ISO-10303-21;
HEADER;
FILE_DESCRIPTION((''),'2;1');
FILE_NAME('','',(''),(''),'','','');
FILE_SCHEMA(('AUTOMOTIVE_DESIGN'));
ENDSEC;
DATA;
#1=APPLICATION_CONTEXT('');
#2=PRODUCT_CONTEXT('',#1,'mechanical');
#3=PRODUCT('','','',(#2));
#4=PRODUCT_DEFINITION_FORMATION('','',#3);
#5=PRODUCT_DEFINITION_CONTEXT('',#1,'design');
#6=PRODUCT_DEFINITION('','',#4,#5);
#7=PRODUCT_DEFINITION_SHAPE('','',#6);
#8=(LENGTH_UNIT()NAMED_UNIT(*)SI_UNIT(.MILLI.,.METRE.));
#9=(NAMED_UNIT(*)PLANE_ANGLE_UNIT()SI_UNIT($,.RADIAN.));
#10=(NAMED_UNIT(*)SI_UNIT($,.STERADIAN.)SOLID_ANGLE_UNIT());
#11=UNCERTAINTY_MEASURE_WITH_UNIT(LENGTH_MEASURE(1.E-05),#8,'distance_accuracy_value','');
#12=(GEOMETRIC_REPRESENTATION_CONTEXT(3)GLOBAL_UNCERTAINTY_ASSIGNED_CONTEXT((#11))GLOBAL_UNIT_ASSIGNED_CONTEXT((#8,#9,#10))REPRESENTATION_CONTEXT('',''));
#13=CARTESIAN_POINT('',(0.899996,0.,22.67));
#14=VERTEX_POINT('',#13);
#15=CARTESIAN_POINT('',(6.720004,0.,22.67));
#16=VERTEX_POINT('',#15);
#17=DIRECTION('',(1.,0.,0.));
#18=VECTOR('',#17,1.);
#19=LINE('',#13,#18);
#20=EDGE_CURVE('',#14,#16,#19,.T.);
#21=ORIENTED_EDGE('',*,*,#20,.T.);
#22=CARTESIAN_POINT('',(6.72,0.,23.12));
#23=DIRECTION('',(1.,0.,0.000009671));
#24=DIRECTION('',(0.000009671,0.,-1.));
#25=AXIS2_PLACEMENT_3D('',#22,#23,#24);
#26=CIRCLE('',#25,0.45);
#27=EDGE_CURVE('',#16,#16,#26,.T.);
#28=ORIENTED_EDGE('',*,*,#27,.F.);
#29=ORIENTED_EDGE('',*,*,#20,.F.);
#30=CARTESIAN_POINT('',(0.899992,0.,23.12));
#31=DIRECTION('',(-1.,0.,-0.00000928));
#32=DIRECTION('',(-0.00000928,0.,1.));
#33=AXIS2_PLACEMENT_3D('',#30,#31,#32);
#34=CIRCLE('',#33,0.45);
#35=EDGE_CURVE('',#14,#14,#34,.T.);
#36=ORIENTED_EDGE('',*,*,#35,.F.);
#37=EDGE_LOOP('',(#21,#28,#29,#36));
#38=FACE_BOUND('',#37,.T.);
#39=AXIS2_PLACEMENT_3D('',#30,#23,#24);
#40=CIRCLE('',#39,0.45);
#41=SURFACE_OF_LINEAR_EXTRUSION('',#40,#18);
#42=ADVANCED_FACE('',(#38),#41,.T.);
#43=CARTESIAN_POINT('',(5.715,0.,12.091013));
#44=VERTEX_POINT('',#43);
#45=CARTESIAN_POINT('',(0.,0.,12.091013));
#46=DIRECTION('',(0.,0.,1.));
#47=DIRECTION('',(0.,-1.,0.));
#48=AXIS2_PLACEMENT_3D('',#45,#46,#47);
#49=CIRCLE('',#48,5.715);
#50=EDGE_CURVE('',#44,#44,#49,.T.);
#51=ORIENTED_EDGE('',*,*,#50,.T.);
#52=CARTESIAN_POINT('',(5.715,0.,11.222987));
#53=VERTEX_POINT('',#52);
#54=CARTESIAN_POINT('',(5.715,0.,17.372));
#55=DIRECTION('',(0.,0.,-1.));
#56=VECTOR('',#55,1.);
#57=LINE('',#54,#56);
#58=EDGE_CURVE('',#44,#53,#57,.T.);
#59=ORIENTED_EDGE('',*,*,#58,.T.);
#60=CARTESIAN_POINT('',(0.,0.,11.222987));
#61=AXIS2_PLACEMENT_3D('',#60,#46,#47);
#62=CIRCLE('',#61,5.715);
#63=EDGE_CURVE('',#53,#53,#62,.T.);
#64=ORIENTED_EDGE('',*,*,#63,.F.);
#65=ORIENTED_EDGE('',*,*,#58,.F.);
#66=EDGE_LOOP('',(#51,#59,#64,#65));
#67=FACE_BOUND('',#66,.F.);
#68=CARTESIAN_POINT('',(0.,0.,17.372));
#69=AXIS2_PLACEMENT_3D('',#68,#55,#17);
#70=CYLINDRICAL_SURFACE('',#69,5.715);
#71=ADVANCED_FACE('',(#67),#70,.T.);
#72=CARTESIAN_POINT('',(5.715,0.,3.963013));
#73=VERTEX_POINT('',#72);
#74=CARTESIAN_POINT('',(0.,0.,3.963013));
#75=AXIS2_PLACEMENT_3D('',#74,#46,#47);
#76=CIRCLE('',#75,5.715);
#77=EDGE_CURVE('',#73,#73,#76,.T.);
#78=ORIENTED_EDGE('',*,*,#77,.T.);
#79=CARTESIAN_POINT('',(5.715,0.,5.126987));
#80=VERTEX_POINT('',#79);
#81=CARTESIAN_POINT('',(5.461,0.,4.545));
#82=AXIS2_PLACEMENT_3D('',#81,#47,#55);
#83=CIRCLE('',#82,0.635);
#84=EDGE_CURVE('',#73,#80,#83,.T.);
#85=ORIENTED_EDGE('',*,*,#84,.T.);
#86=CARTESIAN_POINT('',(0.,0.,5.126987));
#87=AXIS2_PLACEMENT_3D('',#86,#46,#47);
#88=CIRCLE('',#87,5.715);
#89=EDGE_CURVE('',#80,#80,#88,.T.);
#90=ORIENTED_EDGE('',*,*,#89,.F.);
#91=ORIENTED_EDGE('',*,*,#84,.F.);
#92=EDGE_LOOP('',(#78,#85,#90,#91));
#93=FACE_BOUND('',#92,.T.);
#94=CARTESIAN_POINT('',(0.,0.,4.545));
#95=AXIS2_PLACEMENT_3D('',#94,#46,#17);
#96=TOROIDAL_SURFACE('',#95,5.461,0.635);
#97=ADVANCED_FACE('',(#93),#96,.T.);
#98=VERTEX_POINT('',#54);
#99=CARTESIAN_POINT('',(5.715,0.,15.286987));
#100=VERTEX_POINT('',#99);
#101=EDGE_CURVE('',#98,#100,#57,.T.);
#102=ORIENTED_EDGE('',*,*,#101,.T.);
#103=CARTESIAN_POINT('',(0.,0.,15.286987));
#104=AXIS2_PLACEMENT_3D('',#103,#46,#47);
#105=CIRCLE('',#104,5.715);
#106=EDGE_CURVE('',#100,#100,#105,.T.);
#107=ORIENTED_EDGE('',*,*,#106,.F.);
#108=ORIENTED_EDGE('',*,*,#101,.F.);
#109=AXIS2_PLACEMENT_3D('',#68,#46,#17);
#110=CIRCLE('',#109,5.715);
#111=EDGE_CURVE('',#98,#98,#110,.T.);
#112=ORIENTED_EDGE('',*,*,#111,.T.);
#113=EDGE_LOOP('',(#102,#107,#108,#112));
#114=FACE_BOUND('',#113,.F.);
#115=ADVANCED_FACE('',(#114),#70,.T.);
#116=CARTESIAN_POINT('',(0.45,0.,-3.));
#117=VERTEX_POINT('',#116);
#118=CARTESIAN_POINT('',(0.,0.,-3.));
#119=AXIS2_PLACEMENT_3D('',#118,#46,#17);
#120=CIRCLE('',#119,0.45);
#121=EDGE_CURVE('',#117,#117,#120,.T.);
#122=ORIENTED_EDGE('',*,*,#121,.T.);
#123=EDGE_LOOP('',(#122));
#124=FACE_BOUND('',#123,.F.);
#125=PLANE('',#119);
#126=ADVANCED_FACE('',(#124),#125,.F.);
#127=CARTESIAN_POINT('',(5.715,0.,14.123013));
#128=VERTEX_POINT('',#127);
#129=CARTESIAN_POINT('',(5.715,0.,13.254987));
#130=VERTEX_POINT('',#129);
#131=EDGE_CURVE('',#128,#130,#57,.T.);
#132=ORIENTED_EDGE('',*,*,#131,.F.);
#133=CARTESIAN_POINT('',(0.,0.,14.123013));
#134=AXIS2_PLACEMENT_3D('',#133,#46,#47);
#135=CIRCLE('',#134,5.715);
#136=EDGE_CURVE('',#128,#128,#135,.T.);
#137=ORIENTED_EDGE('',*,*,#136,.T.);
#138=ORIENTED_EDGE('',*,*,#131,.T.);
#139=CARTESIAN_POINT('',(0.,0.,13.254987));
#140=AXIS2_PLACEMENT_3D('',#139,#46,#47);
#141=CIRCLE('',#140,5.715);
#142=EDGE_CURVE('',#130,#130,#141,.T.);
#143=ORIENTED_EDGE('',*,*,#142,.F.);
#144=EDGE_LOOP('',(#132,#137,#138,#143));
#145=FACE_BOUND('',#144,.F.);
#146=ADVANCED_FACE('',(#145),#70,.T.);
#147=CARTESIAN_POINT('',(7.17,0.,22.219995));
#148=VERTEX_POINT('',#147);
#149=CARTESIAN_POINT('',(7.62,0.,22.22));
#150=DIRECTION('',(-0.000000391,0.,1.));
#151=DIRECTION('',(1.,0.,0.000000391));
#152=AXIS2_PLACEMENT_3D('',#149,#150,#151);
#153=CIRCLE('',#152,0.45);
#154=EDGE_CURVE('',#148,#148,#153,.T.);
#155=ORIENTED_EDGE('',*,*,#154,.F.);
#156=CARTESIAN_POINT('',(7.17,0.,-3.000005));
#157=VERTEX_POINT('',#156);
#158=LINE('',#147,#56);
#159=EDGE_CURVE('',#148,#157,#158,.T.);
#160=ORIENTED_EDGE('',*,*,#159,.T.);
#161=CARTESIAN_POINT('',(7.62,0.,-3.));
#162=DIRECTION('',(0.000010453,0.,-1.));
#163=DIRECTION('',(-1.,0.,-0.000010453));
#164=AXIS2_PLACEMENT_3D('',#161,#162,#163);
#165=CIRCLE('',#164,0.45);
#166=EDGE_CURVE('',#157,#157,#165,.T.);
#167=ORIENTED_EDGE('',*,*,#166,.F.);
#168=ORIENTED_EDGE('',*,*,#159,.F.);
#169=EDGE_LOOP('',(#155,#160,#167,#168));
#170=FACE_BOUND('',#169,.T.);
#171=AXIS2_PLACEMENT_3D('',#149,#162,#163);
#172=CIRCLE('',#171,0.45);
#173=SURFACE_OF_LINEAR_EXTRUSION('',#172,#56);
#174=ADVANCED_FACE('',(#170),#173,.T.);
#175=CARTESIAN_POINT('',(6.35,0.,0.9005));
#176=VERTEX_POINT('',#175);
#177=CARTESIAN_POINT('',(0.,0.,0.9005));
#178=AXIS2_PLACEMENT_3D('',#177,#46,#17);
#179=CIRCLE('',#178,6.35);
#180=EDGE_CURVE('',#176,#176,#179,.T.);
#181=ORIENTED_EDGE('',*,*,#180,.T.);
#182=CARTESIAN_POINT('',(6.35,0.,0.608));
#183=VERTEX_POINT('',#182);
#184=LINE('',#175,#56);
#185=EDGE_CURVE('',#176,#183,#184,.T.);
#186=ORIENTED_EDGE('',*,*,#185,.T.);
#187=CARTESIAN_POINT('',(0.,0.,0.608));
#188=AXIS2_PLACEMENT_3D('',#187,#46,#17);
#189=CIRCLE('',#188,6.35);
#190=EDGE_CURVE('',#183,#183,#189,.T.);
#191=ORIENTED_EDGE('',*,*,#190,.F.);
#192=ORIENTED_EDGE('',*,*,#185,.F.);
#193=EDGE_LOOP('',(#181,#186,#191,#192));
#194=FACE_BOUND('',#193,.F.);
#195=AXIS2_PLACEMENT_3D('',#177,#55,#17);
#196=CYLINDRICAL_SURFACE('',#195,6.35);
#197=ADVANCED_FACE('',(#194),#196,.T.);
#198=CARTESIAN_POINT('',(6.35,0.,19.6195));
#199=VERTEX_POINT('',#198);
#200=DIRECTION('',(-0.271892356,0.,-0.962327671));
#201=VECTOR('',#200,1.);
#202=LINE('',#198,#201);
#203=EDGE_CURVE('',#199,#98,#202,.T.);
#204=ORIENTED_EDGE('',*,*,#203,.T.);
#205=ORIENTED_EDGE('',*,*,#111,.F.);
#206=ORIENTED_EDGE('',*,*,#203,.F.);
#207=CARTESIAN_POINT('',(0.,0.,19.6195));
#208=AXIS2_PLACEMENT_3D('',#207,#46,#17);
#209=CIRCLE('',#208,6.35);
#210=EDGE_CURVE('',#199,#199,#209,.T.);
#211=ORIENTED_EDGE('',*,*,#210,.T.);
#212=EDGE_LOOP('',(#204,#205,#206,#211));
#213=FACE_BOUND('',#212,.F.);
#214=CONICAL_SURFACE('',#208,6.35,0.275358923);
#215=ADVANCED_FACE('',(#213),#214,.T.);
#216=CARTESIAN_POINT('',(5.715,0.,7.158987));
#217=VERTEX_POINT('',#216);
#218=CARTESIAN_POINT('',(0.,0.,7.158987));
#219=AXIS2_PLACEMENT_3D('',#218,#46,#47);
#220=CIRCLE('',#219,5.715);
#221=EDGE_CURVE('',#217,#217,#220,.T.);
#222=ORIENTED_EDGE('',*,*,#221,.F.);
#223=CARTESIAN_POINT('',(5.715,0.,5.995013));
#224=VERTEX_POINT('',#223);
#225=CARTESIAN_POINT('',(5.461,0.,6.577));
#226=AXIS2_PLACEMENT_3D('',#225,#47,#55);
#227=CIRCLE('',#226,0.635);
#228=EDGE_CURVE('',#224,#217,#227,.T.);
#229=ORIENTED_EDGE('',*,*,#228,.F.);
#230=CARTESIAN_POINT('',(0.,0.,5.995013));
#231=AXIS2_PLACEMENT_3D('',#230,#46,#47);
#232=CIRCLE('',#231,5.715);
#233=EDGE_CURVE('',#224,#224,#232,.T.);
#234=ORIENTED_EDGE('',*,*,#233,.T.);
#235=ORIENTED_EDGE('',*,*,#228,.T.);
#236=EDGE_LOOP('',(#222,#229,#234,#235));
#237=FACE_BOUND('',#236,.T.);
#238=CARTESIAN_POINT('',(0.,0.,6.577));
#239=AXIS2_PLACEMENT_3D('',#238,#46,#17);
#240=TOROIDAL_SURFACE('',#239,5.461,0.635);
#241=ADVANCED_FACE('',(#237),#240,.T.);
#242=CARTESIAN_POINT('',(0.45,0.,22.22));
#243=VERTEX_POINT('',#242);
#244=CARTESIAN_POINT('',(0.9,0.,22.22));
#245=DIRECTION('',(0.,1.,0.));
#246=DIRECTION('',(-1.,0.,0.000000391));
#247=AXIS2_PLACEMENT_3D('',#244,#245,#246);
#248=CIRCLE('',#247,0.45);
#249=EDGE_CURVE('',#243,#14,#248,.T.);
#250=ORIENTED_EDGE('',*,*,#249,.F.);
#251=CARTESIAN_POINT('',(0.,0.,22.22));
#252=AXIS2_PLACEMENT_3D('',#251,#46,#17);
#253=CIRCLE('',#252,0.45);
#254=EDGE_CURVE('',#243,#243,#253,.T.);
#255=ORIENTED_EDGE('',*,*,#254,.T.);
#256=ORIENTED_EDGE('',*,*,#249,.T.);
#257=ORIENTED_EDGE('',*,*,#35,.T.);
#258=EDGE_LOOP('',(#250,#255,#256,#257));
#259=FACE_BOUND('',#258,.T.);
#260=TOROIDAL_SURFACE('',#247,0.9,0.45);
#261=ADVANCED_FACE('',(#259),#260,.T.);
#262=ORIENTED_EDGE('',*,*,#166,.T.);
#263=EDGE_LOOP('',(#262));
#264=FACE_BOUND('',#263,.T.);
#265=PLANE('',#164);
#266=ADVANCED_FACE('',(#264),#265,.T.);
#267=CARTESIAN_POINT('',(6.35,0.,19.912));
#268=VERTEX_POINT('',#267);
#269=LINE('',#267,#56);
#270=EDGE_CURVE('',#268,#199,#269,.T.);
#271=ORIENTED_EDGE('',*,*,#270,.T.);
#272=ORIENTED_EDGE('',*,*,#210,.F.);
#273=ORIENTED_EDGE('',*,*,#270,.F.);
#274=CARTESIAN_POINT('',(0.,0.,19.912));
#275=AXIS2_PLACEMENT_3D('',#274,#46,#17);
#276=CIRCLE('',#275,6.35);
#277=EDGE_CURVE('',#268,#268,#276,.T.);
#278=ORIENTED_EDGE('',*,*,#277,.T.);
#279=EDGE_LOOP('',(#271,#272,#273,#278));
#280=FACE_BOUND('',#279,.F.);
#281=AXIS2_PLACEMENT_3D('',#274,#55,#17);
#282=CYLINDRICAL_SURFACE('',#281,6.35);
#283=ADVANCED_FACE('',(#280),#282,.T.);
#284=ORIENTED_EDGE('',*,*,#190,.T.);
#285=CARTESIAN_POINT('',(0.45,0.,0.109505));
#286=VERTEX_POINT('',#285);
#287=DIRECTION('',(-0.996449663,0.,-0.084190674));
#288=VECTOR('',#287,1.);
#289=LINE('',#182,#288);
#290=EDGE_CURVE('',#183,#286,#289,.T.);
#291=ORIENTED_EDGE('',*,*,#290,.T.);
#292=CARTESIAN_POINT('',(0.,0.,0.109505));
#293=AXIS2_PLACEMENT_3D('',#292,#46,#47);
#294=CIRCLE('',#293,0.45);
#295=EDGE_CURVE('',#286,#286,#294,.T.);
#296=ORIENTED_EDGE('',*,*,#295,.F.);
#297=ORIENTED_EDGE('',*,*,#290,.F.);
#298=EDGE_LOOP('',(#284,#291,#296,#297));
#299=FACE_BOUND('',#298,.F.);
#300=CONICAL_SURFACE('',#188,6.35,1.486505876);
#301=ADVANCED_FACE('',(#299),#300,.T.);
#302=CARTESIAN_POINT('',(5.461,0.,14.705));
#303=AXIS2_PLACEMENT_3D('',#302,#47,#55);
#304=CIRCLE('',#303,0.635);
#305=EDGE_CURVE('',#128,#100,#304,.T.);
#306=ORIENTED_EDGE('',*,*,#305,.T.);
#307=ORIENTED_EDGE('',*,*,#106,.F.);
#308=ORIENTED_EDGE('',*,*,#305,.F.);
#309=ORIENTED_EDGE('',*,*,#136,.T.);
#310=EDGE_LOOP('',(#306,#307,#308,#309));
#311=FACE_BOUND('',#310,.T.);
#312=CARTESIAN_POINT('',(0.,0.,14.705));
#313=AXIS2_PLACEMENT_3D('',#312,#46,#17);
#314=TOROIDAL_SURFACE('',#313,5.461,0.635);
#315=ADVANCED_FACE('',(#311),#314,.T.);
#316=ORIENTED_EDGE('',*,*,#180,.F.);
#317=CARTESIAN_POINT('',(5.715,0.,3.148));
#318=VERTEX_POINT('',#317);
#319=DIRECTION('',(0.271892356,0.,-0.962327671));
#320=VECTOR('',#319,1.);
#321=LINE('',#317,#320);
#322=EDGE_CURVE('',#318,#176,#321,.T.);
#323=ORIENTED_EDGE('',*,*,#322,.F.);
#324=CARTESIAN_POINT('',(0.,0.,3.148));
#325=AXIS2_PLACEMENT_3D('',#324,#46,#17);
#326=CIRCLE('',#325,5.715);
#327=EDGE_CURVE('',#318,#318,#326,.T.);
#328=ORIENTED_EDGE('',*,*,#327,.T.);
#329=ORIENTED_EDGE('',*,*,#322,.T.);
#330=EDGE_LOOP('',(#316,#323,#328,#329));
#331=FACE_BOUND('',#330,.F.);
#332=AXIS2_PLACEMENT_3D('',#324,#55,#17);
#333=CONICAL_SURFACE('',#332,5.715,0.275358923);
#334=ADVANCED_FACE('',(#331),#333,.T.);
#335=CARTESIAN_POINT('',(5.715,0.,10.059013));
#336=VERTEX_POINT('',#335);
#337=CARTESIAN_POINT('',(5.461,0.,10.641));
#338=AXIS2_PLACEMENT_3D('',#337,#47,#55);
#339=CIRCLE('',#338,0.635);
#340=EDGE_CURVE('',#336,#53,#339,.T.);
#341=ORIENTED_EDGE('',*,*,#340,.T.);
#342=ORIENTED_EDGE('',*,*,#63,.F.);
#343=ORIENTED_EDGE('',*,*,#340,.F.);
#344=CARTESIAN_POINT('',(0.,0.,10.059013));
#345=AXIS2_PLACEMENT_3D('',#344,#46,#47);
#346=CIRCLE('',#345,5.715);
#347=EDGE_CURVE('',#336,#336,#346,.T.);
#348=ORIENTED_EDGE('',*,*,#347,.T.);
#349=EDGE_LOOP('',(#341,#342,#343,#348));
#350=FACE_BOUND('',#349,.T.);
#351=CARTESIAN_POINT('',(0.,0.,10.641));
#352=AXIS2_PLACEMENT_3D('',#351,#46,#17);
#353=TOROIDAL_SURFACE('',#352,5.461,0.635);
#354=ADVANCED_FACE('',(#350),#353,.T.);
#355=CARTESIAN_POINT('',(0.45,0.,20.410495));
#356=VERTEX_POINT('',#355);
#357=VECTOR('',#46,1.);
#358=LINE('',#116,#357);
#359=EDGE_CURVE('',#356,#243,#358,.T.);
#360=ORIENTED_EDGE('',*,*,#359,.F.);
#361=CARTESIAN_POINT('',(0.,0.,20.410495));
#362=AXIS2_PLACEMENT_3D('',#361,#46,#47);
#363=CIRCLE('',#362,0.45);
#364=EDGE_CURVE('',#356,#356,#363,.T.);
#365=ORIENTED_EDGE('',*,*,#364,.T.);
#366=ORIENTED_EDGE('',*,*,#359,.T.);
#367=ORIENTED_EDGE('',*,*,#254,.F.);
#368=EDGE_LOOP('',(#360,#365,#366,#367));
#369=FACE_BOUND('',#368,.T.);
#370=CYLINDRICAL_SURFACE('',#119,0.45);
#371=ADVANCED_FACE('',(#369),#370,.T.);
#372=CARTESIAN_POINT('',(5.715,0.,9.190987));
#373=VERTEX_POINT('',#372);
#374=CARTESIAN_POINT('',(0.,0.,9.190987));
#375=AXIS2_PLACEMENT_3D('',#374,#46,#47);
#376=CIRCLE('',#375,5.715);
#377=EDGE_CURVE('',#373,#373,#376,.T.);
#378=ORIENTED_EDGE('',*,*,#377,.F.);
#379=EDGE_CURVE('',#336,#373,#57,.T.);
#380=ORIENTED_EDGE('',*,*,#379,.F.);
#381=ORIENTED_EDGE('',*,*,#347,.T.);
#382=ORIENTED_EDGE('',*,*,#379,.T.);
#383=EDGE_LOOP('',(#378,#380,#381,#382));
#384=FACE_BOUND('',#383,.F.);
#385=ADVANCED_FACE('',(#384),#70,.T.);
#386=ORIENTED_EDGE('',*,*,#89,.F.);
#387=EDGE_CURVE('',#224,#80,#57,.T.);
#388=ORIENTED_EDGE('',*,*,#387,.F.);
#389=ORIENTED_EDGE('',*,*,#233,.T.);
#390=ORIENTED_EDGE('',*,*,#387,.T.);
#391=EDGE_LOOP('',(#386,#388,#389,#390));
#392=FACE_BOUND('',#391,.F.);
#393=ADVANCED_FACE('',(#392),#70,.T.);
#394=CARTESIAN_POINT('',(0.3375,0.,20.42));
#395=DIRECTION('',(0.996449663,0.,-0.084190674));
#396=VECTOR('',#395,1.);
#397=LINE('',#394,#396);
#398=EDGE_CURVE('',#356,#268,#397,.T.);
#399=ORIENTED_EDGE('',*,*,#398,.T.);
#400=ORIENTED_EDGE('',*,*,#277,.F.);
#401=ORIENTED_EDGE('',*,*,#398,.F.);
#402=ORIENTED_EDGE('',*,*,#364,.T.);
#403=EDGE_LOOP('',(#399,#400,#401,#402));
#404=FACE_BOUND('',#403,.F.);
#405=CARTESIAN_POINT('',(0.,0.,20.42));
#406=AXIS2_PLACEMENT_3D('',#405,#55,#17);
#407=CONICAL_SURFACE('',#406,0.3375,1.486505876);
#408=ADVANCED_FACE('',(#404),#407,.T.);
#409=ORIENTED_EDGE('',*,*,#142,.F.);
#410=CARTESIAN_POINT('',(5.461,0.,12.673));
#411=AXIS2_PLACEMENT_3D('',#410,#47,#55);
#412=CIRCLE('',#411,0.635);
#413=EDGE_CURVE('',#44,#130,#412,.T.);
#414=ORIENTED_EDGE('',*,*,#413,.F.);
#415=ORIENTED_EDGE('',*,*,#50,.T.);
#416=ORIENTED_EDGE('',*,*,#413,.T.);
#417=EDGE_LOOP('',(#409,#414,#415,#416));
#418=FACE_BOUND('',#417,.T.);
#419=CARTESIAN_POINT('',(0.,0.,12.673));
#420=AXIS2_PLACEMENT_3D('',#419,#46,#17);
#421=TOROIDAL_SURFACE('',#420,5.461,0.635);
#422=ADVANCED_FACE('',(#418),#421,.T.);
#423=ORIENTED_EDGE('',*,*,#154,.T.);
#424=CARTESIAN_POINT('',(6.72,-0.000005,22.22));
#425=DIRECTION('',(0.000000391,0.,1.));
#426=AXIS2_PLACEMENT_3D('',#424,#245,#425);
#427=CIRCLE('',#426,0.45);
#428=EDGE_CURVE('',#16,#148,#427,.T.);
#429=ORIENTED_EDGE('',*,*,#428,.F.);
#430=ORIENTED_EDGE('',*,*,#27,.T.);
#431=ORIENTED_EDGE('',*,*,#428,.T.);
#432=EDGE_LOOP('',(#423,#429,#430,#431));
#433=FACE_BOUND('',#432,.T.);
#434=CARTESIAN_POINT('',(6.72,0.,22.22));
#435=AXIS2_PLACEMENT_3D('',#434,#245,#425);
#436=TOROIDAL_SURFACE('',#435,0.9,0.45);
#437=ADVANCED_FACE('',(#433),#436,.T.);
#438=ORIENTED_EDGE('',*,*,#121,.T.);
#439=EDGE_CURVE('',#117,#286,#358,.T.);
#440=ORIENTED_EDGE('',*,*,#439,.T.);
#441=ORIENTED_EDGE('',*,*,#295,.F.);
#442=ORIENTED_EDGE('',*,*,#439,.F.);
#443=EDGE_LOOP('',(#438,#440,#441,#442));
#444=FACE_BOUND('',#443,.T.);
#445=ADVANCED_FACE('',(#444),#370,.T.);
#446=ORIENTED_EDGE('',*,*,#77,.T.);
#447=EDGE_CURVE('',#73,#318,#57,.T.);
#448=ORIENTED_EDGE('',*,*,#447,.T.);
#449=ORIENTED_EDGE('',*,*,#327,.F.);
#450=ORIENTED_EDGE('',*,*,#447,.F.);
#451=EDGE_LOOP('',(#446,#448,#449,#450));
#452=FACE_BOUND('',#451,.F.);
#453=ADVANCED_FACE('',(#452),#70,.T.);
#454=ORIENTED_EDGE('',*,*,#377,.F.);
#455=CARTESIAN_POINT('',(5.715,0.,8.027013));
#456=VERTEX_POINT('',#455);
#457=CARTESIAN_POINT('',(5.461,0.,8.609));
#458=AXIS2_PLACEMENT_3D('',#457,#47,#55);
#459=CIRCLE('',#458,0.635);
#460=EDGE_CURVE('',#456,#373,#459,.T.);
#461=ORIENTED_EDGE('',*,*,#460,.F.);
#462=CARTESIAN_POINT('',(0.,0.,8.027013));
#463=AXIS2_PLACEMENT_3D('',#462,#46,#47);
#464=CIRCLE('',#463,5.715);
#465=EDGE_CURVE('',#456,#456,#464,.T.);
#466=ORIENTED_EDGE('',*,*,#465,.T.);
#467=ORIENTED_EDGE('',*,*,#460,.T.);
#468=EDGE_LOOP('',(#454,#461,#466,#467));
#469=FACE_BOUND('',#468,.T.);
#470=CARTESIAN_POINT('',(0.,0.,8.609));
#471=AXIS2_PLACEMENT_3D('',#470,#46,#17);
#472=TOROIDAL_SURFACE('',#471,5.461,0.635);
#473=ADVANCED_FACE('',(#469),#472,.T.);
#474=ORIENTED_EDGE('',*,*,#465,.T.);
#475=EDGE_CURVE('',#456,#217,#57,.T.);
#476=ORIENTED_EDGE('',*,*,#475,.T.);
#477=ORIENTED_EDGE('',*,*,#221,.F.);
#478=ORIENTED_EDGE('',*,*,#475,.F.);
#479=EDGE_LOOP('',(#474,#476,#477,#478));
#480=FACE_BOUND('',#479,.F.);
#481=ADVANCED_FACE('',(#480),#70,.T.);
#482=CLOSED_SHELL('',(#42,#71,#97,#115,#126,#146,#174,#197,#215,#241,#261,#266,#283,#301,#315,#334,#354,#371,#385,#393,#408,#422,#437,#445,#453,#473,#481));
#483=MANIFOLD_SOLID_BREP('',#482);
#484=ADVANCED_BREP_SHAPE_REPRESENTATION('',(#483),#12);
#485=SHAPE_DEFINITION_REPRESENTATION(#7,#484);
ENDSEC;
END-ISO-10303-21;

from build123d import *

# Parameters (mm, degrees)
SKETCH_R = 0.45


with BuildPart() as revolution:
    # Sketch002 → Revolution (revolve)
    with BuildSketch(Plane.XZ):
        Polygon((0, 0.1), (0, 20.42), (0.3375, 20.42), (6.35, 19.912), (6.35, 19.6195), (5.715, 17.372), (5.715, 3.148), (6.35, 0.9005), (6.35, 0.608), (0.3375, 0.1), align=None)
    revolve(axis=Axis((0, 0, 0), (0, 0, 1)))


with BuildPart() as sweep_body:
    # Sweep: sweep along a path in Sketch001
    with BuildLine(Plane.XZ) as sweep_path:
        Line((0, -3), (0, 22.22))
        ThreePointArc((0, 22.22), (0.263601, 22.856393), (0.899992, 23.12))
        Line((0.899992, 23.12), (6.72, 23.12))
        ThreePointArc((6.72, 23.12), (7.356396, 22.856396), (7.62, 22.22))
        Line((7.62, 22.22), (7.62, -3))
    # Sketch → Sweep (sweep)
    with BuildSketch(Plane.XY.offset(-2)):
        Circle(SKETCH_R)
    sweep(path=sweep_path.line)


with BuildPart() as revolution001_mp_cp:
    # Sketch003 → Revolution001 (revolve)
    with BuildSketch(Plane.XZ):
        with BuildLine():
            Line((5.08, 16.102), (5.08, 3.148))
            Line((5.08, 3.148), (5.461, 3.148))
            Line((5.461, 3.148), (5.461, 3.91))
            ThreePointArc((5.461, 3.91), (6.096, 4.545), (5.461, 5.18))
            Line((5.461, 5.18), (5.461, 5.942))
            ThreePointArc((5.461, 5.942), (6.096, 6.577), (5.461, 7.212))
            Line((5.461, 7.212), (5.461, 7.974))
            ThreePointArc((5.461, 7.974), (6.096, 8.609), (5.461, 9.244))
            Line((5.461, 9.244), (5.461, 10.006))
            ThreePointArc((5.461, 10.006), (6.096, 10.641), (5.461, 11.276))
            Line((5.461, 11.276), (5.461, 12.038))
            ThreePointArc((5.461, 12.038), (6.096, 12.673), (5.461, 13.308))
            Line((5.461, 13.308), (5.461, 14.07))
            ThreePointArc((5.461, 14.07), (6.096, 14.705), (5.461, 15.34))
            Line((5.461, 16.102), (5.461, 15.34))
            Line((5.08, 16.102), (5.461, 16.102))
        make_face()
    revolve(axis=Axis((0, 0, 0), (0, 0, 1)))

    # Revolution001_mp_cp: union Revolution, Sweep body
    add(revolution.part)
    add(sweep_body.part)


solid = revolution001_mp_cp.part
